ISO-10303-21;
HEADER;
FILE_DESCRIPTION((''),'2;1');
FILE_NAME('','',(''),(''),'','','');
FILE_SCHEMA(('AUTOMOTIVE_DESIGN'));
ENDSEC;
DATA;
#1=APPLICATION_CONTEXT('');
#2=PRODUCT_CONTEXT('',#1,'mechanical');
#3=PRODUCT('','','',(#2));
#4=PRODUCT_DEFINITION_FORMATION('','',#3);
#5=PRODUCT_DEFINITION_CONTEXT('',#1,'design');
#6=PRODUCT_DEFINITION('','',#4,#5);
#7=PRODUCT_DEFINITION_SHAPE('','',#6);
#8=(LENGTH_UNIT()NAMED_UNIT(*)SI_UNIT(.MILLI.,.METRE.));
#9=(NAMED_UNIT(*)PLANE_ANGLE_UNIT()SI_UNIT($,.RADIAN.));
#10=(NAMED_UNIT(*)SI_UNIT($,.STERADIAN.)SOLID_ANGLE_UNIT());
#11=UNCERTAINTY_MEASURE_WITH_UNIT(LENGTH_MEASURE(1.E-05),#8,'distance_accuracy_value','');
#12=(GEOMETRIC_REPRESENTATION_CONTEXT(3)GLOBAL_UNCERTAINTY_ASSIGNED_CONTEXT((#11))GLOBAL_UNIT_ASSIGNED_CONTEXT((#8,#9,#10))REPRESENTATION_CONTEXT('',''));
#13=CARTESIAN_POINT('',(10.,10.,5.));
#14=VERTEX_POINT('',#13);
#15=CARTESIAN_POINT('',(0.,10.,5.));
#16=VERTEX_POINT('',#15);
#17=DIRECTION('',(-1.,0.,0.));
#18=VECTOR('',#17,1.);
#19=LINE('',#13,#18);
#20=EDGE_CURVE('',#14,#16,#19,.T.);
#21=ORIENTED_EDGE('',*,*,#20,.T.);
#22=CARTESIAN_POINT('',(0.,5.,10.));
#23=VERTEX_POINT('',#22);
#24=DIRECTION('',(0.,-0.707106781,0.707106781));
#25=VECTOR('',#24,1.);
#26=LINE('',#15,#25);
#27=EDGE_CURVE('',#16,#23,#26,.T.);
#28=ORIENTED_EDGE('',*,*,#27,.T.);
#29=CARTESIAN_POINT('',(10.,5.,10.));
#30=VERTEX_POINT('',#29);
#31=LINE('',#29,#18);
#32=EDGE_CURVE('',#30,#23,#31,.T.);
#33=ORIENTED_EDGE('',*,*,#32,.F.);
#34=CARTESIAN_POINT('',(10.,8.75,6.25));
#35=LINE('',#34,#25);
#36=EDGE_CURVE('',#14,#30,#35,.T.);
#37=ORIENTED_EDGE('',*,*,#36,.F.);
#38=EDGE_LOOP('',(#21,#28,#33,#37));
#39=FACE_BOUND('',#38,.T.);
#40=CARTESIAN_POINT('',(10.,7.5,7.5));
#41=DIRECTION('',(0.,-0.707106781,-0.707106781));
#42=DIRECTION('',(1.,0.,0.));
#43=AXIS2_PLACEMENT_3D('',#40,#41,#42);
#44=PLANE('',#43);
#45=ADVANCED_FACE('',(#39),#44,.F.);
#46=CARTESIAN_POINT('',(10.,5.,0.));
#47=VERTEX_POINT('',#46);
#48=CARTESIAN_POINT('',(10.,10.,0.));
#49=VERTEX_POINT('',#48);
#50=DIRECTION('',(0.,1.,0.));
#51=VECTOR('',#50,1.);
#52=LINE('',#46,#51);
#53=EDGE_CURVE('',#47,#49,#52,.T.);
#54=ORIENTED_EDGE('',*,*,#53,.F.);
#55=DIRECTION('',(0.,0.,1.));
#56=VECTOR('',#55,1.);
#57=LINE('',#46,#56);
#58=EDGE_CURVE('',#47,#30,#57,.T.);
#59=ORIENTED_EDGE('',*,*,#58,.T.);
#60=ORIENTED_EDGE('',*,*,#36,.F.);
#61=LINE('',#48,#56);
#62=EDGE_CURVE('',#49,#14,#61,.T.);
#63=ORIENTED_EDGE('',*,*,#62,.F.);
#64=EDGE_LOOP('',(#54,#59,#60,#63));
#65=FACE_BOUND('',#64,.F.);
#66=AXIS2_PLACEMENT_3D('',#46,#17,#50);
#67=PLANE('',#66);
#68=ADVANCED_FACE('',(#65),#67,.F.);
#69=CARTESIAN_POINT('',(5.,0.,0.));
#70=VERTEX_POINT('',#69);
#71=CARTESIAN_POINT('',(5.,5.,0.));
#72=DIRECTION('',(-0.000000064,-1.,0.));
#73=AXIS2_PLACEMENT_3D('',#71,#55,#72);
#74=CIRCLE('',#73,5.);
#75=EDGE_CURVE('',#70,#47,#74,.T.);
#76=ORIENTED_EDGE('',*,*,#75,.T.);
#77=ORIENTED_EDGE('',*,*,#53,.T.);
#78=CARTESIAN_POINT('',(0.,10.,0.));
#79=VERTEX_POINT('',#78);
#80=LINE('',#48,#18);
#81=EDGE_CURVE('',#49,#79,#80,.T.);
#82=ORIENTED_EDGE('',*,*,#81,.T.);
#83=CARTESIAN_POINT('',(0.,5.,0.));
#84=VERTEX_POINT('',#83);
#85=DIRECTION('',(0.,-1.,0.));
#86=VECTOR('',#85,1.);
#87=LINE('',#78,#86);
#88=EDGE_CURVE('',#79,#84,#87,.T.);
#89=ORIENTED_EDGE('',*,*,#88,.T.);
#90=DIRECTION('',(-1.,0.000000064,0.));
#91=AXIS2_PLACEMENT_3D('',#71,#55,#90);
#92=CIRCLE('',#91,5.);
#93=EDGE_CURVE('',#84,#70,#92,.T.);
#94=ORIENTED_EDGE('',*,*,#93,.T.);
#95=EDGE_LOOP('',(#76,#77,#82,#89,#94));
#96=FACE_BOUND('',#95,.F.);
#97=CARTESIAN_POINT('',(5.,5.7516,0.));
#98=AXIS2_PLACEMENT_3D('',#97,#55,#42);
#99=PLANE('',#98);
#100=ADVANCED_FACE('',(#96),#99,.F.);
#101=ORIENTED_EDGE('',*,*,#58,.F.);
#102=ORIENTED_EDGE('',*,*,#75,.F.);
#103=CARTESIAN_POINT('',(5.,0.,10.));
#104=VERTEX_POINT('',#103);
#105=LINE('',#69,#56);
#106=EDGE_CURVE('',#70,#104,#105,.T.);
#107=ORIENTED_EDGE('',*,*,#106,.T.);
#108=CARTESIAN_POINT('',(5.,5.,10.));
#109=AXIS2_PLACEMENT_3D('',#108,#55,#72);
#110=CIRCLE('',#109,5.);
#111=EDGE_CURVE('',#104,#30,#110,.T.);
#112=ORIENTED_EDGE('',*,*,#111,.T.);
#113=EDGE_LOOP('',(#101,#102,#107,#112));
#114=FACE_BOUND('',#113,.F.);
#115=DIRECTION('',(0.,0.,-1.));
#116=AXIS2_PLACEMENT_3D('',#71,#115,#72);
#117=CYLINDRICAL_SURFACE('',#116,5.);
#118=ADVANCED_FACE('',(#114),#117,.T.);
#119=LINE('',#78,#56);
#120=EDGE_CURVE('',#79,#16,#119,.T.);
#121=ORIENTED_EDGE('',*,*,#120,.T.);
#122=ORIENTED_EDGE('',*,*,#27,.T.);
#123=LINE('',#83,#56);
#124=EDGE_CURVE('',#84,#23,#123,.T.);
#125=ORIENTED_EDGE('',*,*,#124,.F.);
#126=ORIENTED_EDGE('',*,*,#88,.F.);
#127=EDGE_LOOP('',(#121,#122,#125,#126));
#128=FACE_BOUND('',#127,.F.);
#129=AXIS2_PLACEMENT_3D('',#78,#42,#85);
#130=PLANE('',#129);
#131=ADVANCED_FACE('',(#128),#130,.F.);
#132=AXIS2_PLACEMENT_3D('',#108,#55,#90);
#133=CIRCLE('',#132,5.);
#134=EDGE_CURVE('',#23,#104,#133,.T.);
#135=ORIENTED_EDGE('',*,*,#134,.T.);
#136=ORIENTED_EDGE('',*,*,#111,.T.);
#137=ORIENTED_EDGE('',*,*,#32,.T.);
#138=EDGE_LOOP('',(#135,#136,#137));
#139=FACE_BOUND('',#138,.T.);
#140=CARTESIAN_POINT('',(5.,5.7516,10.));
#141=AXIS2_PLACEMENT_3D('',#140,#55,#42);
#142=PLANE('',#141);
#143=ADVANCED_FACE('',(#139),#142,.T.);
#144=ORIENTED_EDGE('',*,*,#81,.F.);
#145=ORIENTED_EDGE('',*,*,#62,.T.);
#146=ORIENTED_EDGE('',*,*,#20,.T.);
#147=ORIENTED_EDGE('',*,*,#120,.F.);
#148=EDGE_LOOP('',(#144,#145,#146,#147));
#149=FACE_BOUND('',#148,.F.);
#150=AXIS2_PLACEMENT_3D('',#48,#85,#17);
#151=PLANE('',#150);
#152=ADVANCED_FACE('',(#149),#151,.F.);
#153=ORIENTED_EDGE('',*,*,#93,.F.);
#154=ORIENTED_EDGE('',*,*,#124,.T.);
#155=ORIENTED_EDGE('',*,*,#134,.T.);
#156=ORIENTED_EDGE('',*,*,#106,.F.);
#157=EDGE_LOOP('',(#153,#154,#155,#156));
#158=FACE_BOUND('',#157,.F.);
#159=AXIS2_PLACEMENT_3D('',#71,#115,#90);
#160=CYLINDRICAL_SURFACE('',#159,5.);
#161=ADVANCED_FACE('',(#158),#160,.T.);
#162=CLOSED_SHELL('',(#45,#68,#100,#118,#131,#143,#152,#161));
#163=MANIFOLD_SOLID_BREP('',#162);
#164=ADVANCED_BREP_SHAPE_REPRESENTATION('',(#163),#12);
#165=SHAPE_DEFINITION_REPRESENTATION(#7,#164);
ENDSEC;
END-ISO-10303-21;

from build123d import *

# Parameters (mm, degrees)
F1_DEPTH = 10
F2_SIZE  = 5


with BuildPart() as f1:
    # F0 (on Top) → F1 (new body)
    with BuildSketch(Plane.XY):
        with BuildLine():
            Line((10, 10), (0, 10))
            Line((0, 10), (0, 5))
            ThreePointArc((0, 5), (1.464466, 1.464466), (5, 0))
            ThreePointArc((5, 0), (8.535534, 1.464466), (10, 5))
            Line((10, 5), (10, 10))
        make_face()
    extrude(amount=F1_DEPTH)

    # F2
    f2_edges = [f1.edges().sort_by_distance(p)[0] for p in [
        (5, 10, 10),
    ]]
    chamfer(f2_edges, length=F2_SIZE)


solid = f1.part
